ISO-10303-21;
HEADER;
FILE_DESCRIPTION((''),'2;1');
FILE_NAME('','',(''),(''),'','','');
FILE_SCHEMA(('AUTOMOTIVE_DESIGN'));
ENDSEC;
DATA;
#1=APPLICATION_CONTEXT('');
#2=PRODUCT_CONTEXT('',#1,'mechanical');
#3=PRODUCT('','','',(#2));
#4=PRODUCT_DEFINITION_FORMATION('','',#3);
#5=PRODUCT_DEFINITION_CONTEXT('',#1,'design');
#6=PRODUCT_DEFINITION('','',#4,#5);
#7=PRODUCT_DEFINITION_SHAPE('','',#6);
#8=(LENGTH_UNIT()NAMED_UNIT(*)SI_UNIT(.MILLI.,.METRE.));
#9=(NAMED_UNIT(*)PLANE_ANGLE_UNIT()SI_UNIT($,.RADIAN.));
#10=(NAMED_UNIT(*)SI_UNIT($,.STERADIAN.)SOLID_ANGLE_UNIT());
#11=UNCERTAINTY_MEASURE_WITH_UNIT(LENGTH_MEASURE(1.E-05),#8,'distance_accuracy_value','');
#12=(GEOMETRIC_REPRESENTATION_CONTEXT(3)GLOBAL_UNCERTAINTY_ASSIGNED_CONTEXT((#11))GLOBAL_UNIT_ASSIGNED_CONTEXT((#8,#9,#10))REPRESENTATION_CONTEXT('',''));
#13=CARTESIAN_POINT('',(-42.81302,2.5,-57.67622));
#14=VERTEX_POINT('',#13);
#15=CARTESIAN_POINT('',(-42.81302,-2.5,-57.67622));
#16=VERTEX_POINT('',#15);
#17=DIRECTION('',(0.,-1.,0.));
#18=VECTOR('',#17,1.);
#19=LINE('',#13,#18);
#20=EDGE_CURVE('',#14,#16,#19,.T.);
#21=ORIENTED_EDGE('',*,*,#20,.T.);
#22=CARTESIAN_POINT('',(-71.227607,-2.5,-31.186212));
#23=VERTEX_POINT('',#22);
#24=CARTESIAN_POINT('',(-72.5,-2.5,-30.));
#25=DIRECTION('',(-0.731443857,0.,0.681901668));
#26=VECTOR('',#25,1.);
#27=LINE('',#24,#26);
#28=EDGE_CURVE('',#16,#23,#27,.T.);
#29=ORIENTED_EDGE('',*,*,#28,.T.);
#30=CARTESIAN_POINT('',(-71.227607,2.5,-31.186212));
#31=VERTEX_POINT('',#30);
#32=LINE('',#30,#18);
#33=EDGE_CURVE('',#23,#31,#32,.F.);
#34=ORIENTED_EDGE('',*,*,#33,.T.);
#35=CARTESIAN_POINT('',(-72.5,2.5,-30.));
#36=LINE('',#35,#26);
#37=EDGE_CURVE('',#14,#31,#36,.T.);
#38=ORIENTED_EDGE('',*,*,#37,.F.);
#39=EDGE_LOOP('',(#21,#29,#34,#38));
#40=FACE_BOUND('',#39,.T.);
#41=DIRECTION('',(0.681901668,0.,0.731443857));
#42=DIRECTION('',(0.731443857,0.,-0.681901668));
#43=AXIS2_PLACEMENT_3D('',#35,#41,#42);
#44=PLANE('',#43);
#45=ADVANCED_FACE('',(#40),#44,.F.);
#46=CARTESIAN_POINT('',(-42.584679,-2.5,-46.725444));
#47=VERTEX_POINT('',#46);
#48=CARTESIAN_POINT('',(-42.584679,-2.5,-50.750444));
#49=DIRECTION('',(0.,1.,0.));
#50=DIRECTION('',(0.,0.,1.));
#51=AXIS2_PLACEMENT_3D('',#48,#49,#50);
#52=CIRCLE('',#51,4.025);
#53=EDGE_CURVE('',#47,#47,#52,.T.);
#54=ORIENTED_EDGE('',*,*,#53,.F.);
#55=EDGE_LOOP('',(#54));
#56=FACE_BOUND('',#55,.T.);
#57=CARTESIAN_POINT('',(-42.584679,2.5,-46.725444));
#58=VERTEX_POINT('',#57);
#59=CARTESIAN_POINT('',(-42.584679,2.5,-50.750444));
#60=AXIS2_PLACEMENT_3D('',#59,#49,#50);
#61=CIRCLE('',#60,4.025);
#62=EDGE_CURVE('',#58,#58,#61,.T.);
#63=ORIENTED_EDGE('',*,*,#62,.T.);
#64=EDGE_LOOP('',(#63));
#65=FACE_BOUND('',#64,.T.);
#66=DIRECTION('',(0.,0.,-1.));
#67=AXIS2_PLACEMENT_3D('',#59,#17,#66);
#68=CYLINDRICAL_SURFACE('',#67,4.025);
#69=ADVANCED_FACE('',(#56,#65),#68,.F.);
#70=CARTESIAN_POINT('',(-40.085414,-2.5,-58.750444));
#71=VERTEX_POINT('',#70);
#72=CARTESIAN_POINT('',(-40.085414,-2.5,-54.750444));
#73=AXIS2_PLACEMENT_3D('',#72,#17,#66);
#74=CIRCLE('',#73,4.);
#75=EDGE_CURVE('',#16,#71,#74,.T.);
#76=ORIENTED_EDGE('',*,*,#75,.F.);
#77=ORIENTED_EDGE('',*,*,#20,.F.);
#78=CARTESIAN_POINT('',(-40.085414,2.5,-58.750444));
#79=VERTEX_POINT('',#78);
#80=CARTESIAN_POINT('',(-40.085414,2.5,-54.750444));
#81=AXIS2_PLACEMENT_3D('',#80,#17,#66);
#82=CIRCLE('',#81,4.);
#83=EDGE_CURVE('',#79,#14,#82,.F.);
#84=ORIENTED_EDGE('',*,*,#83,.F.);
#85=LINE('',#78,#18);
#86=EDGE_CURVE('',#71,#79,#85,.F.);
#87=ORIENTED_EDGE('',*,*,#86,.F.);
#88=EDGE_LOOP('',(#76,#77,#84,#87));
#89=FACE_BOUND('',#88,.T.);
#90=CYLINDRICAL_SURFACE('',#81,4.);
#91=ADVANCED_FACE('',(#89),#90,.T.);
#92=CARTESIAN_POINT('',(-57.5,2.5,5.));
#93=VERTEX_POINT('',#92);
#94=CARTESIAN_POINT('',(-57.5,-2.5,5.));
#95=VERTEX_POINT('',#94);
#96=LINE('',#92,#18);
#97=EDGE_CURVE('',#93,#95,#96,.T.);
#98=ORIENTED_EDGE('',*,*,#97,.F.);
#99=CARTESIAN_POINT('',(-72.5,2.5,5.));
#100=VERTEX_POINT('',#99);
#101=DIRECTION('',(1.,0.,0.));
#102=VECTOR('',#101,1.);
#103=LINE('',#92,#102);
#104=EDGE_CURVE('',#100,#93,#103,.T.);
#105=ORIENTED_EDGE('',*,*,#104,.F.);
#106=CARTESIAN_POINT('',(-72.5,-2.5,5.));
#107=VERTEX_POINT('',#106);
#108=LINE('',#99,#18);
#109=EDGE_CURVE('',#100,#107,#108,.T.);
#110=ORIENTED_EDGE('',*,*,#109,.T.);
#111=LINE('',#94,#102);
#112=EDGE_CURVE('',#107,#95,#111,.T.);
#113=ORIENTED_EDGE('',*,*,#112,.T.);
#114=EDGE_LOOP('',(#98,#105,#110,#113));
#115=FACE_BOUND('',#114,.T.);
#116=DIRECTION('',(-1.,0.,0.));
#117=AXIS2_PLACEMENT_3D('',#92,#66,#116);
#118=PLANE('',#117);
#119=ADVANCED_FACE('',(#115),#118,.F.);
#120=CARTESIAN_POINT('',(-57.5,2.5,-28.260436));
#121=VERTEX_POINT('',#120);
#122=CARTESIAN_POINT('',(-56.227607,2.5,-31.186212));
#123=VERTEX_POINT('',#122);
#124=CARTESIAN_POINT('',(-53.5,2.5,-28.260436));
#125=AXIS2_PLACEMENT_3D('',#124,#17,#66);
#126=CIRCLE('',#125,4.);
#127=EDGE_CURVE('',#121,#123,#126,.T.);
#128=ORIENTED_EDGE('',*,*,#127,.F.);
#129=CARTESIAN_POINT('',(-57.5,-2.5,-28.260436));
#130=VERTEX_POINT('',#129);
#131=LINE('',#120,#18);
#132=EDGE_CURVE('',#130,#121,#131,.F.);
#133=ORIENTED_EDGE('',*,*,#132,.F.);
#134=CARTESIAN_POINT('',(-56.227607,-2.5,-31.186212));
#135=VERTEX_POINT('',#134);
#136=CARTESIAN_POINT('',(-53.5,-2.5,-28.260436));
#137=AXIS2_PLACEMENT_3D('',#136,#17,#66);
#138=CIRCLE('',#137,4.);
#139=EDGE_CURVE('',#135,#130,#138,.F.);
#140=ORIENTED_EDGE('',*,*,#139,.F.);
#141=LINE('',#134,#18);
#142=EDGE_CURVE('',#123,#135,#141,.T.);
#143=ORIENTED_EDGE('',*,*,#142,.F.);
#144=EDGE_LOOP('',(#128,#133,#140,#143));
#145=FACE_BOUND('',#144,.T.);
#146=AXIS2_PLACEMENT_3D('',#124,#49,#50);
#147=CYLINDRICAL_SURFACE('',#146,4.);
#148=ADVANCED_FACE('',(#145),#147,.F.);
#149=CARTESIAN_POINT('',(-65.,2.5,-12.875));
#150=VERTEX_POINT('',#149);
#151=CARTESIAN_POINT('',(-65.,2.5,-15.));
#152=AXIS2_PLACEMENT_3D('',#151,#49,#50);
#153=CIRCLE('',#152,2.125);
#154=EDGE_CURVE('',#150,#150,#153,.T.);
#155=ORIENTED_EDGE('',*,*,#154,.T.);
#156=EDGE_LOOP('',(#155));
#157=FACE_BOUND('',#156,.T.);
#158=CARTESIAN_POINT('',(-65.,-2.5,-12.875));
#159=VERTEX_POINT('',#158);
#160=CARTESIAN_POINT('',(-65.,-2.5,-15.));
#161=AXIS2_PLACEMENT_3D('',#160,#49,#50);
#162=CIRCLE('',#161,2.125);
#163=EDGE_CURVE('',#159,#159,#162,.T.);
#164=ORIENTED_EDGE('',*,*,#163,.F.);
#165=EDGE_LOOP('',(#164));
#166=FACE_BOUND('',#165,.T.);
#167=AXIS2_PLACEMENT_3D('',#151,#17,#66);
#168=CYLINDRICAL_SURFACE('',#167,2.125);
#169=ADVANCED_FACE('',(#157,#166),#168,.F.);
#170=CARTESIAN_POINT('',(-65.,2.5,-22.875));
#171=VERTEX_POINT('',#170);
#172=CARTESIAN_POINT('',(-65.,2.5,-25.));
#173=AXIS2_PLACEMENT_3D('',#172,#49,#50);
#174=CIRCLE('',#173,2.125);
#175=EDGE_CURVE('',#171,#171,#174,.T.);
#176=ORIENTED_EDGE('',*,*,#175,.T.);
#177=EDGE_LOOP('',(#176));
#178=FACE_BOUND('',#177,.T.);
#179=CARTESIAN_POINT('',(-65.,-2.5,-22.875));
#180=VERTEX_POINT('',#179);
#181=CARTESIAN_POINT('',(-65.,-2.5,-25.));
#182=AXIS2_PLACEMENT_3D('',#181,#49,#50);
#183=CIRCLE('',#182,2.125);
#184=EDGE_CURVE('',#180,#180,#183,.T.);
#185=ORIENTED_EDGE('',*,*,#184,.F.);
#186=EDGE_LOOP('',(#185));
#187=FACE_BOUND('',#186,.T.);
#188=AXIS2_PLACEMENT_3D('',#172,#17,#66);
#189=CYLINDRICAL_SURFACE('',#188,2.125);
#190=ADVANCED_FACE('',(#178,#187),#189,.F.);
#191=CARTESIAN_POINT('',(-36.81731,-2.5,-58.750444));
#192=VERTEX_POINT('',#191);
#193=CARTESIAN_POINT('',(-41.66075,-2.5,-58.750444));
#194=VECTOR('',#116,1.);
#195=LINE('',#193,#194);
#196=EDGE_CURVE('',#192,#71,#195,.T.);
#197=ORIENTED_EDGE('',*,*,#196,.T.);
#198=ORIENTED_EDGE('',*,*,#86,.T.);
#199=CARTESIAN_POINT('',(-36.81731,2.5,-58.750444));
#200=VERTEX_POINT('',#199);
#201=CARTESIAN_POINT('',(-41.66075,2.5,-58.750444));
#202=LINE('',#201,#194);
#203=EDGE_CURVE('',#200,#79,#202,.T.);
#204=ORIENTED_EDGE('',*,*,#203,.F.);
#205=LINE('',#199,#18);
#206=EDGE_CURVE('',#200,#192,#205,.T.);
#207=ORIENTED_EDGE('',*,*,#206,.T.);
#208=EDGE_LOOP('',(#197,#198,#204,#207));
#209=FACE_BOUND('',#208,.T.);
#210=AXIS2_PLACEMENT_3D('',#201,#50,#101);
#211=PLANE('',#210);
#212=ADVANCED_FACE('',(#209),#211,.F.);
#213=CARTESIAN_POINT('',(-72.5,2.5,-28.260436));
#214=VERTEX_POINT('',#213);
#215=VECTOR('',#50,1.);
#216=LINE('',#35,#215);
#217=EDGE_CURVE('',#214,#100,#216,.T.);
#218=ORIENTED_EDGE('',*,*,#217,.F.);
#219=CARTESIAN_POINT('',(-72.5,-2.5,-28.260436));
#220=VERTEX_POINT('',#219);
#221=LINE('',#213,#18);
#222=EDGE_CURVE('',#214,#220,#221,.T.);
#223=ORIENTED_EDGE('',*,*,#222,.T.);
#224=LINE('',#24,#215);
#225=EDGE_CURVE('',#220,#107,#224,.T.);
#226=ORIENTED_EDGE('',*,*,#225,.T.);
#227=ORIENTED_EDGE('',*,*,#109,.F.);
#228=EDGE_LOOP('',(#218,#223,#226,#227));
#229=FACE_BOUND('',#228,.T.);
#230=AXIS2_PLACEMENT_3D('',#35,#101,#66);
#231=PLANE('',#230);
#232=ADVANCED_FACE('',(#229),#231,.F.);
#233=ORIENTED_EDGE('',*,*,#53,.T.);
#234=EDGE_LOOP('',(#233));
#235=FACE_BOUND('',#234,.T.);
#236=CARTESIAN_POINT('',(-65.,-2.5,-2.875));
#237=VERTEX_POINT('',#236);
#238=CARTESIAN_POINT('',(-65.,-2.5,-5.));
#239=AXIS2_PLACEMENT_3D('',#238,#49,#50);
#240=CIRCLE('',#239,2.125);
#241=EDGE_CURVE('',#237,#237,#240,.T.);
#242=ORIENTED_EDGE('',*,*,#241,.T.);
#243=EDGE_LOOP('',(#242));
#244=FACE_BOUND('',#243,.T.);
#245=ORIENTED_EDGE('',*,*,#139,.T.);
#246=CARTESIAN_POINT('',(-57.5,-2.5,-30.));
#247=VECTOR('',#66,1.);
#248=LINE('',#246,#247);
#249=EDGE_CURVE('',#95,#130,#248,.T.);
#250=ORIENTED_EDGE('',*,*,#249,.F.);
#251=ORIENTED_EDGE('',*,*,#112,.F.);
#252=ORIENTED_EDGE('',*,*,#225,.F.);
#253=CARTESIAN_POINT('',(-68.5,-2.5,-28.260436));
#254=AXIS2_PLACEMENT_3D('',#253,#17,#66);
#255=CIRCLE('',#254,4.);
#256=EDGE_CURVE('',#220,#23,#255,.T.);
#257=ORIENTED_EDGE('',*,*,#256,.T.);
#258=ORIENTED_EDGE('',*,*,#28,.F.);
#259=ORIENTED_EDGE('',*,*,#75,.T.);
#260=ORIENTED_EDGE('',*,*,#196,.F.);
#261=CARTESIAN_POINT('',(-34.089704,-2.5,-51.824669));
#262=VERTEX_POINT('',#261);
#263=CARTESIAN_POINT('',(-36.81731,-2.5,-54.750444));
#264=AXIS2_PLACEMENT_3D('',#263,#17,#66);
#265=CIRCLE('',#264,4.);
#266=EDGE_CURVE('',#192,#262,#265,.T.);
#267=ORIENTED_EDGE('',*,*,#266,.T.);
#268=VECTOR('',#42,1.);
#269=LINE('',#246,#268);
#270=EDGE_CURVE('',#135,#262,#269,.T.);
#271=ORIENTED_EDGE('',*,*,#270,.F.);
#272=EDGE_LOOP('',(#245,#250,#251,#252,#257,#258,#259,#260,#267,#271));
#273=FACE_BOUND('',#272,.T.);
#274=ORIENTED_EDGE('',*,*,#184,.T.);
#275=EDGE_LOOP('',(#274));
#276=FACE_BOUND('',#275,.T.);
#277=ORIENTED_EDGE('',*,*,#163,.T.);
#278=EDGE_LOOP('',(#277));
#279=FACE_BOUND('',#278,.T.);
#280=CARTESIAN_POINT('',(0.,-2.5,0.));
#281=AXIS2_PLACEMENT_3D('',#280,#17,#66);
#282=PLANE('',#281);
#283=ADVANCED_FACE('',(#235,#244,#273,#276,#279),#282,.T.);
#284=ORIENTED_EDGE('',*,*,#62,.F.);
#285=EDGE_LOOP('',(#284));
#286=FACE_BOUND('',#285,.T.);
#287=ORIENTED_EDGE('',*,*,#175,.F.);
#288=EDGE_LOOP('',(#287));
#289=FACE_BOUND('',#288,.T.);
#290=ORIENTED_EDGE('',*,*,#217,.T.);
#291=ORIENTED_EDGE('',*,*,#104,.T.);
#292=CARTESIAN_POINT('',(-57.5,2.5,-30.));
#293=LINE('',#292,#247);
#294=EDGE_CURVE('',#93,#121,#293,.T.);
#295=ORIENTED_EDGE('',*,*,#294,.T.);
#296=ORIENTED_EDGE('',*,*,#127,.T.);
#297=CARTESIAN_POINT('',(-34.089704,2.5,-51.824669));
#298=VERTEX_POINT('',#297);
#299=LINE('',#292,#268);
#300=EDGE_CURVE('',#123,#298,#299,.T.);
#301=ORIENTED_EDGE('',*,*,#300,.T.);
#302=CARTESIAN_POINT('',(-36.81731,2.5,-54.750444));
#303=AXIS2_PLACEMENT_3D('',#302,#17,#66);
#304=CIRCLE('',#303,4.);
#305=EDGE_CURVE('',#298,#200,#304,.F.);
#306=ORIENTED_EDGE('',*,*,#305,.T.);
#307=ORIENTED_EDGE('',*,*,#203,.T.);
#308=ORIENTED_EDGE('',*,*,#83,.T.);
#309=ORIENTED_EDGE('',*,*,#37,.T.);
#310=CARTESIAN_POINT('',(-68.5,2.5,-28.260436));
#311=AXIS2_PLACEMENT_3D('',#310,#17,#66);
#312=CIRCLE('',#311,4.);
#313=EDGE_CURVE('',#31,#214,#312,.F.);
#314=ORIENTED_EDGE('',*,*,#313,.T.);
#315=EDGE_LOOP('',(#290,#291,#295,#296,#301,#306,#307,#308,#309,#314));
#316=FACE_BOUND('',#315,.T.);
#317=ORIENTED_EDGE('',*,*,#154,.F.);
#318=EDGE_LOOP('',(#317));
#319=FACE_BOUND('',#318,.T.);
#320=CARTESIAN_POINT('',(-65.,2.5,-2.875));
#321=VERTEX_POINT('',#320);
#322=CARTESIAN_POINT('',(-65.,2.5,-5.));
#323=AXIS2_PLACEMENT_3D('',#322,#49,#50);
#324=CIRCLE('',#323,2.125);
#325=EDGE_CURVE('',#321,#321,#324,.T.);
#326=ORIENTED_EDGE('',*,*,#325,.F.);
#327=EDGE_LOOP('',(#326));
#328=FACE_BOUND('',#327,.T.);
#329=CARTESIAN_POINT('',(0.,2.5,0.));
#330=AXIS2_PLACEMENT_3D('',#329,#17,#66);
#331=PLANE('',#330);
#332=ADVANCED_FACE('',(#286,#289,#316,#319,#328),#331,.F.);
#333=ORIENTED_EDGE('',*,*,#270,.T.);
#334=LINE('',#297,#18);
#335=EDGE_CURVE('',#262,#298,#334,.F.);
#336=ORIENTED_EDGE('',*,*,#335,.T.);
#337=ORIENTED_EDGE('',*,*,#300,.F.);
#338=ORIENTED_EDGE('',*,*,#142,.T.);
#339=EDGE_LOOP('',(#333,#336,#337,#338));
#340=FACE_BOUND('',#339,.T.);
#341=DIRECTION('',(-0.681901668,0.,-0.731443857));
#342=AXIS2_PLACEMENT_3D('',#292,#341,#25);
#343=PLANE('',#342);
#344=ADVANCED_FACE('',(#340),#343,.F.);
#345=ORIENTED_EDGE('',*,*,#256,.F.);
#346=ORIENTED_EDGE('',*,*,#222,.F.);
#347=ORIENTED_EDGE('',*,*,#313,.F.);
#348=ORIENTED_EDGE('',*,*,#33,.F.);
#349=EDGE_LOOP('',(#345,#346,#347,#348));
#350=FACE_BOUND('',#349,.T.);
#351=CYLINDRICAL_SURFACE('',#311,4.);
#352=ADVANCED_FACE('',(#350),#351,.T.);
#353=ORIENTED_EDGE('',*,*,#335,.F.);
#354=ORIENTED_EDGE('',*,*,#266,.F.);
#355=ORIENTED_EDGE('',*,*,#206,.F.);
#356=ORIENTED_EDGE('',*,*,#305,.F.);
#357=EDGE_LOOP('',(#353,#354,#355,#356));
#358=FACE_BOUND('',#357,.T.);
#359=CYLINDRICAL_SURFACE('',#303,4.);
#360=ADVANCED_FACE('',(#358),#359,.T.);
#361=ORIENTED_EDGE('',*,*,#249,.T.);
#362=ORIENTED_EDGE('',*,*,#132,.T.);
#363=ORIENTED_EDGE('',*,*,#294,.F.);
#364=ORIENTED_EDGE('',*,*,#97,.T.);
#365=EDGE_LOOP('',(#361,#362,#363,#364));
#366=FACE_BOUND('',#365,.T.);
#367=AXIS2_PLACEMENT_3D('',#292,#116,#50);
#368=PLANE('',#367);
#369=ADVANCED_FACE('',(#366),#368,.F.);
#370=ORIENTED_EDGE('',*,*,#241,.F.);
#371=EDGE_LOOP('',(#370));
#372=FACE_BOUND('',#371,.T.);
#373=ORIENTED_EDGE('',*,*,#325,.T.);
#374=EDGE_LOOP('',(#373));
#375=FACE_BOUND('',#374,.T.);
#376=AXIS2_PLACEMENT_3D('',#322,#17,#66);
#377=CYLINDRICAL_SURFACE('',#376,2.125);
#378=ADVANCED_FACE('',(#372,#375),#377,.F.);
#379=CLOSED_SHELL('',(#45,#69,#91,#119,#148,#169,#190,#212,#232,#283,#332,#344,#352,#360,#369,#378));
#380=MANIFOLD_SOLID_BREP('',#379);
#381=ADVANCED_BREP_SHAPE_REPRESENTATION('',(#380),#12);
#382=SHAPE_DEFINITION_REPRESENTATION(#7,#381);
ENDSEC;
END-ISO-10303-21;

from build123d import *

# Parameters (mm, degrees)
SKETCH1_R           = 2.125
SKETCH1_R_2         = 4.025
BOSS_EXTRUDE1_DEPTH = 2.5
FILLET1_R           = 4


with BuildPart() as part:
    # Sketch1 → Boss-Extrude1 (new body, symmetric)
    with BuildSketch(Plane(origin=(0, 0, 0), x_dir=(1, 0, 0), z_dir=(0, 1, 0))):
        Polygon((-57.5, 30), (-57.5, -5), (-72.5, -5), (-72.5, 30), (-41.660750149, 58.750444357), (-26.660750149, 58.750444357), align=None)
        with Locations((-65, 25)):
            Circle(SKETCH1_R, mode=Mode.SUBTRACT)
        with Locations((-65, 15)):
            Circle(SKETCH1_R, mode=Mode.SUBTRACT)
        with Locations((-42.584679142, 50.750444357)):
            Circle(SKETCH1_R_2, mode=Mode.SUBTRACT)
        with Locations((-65, 5)):
            Circle(SKETCH1_R, mode=Mode.SUBTRACT)
    extrude(amount=BOSS_EXTRUDE1_DEPTH, both=True)

    # Fillet1
    fillet1_edges = [part.edges().sort_by_distance(p)[0] for p in [
        (-72.5, 0, -30),
        (-41.660750149, 0, -58.750444357),
        (-26.660750149, 0, -58.750444357),
        (-57.5, 0, -30),
    ]]
    fillet(fillet1_edges, radius=FILLET1_R)


solid = part.part
